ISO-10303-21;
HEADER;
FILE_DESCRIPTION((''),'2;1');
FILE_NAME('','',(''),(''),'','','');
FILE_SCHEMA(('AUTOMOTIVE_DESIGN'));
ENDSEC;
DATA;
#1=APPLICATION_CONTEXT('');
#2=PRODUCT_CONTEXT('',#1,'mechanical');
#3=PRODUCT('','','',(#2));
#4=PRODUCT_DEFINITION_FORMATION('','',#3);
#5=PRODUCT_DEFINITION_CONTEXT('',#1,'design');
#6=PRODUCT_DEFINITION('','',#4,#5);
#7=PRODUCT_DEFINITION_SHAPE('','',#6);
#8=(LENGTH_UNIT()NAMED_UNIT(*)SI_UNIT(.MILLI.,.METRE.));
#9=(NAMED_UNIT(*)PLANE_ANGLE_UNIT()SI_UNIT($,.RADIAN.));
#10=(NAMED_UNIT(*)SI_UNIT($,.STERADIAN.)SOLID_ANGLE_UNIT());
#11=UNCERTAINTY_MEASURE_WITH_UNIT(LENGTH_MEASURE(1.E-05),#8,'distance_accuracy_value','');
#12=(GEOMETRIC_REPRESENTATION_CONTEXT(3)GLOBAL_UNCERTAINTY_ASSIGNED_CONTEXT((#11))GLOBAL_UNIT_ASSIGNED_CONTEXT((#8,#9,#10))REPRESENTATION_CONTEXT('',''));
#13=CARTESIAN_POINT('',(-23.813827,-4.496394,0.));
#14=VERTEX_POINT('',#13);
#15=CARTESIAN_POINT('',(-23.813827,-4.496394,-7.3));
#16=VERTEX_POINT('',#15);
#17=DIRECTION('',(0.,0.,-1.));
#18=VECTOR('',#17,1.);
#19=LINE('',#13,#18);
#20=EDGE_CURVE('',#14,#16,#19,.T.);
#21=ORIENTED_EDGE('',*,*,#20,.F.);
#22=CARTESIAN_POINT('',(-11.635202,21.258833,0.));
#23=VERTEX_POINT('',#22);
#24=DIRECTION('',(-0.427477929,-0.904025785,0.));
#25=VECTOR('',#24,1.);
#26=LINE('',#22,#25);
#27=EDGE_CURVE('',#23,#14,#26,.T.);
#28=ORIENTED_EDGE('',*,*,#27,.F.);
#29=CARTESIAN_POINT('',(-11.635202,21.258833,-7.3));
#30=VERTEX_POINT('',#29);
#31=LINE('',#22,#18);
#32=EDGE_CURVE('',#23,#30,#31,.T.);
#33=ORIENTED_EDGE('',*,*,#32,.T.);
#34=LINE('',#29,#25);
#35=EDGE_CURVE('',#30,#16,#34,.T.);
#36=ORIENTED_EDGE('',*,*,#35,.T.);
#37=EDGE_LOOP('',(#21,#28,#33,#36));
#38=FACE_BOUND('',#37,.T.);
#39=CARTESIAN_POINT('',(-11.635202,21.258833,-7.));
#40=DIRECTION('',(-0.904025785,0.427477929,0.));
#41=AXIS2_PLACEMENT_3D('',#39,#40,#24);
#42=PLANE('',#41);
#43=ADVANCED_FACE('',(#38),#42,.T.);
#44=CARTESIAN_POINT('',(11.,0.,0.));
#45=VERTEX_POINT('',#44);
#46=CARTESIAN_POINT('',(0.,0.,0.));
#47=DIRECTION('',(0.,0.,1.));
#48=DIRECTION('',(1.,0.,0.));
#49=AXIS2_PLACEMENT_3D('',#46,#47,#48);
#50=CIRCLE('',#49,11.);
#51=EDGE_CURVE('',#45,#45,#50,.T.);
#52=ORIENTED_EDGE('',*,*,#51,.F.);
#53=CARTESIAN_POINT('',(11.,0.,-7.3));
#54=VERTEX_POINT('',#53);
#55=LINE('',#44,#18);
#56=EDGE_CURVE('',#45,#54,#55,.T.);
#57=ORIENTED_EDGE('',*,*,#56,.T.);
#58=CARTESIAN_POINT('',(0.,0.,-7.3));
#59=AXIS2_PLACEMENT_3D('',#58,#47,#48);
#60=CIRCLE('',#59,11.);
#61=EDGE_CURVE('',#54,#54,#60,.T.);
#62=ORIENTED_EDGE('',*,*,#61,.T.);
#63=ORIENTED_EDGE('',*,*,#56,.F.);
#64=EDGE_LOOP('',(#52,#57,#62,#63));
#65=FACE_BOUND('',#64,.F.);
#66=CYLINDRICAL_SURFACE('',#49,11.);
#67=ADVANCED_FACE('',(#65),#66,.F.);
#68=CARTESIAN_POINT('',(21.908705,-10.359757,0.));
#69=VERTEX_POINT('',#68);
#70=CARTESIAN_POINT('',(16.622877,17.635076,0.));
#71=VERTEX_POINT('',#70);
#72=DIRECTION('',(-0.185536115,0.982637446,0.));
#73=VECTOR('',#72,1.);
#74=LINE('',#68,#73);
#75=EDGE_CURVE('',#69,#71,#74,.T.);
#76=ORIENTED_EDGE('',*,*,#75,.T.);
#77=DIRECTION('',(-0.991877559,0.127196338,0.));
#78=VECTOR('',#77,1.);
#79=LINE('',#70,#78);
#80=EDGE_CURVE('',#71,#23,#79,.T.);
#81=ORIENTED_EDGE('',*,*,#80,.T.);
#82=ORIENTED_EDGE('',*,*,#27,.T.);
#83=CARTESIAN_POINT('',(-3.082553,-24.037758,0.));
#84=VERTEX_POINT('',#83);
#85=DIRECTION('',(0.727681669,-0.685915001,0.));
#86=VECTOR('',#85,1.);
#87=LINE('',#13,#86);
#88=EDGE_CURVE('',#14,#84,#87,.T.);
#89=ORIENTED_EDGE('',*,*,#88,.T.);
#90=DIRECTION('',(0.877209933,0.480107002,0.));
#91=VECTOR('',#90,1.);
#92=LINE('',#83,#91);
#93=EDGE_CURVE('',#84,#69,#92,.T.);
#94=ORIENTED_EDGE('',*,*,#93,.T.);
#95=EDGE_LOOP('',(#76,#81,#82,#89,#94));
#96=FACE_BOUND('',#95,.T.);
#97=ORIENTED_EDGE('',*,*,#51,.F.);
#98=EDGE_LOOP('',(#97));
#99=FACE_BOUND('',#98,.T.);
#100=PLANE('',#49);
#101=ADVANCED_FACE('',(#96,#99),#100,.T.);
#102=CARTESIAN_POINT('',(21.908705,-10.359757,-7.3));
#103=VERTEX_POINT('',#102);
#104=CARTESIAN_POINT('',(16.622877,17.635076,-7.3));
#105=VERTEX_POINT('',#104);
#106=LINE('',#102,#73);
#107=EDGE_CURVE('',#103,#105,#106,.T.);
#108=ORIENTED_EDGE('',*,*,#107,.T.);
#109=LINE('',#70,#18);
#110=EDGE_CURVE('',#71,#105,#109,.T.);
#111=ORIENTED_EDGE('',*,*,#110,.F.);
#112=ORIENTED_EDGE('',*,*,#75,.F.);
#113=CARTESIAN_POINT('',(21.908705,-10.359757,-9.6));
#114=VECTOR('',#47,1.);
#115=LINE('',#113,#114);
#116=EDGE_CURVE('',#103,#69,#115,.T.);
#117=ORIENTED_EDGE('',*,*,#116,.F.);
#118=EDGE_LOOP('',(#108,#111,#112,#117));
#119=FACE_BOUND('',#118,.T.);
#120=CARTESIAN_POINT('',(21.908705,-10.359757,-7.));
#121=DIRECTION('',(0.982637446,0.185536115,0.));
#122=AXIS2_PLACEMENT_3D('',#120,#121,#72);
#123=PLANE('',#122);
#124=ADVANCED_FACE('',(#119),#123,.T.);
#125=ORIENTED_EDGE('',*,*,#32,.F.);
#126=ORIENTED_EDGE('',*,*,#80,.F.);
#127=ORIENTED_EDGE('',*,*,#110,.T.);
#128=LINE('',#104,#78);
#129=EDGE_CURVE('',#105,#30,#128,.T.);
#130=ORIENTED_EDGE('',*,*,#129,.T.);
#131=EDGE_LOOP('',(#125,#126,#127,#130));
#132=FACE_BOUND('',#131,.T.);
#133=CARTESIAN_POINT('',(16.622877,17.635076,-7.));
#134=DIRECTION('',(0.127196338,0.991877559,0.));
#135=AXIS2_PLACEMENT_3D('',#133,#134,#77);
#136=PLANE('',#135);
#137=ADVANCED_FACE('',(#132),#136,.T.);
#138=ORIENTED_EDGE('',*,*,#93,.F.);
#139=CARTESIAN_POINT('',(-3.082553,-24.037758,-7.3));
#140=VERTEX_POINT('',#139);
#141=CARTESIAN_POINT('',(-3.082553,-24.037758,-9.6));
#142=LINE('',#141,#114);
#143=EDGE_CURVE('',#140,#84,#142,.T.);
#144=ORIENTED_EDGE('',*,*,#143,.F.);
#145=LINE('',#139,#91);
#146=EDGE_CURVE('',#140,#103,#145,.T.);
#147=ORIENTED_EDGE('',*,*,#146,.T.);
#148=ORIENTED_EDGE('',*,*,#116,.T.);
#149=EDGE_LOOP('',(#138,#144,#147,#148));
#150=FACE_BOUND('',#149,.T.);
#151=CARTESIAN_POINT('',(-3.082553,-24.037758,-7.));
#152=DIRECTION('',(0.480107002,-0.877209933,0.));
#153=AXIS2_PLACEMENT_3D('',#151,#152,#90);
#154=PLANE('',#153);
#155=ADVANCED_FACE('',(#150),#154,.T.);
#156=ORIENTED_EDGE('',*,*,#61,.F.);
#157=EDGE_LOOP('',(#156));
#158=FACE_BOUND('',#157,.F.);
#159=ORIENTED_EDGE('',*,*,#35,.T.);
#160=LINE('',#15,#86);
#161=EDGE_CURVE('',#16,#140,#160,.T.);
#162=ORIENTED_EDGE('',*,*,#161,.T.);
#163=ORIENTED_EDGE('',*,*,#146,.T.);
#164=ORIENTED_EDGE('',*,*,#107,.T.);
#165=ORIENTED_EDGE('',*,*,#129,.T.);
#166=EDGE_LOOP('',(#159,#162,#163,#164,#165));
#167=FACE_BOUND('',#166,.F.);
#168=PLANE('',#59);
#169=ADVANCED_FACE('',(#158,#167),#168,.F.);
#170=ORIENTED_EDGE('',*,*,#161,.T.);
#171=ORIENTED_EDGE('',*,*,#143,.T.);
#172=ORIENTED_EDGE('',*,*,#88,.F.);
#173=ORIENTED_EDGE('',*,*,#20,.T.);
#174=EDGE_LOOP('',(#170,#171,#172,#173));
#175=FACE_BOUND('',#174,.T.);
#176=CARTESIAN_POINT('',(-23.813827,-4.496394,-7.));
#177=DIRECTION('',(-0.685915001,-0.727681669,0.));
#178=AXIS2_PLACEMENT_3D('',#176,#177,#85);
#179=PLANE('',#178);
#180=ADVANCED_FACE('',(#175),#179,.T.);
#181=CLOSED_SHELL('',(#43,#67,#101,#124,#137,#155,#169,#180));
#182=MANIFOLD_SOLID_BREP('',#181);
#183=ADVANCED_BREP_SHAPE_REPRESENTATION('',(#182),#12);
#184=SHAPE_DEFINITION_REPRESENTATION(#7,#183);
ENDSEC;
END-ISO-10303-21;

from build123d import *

# Parameters (mm, degrees)
F2_DEPTH = 7
F3_DEPTH = 2.6
F0_R     = 11
F4_DEPTH = 25
F5_DEPTH = 2.3


with BuildPart() as f2:
    # F1 (on Top) → F2 (new body)
    with BuildSketch(Plane.XY):
        Polygon((-23.813827268, -4.4963938878), (-3.0825526201, -24.0377577259), (21.9087049767, -10.3597574001), (16.6228769451, 17.6350755374), (-11.6352020338, 21.2588334764), align=None)
    extrude(amount=-F2_DEPTH)

    # F3 (add): a face of the model
    f3_faces = [f2.faces().sort_by_distance(p)[0] for p in [
        (0, 0, -7),
    ]]
    extrude(f3_faces, amount=F3_DEPTH)

    # F0 (on Top) → F4 (cut)
    with BuildSketch(Plane.XY):
        Circle(F0_R)
    extrude(amount=-F4_DEPTH, mode=Mode.SUBTRACT)

    # F5 (cut): a face of the model
    f5_faces = [f2.faces().sort_by_distance(p)[0] for p in [
        (-13.0067285738, -13.7987330141, -9.6),
    ]]
    extrude(f5_faces, amount=-F5_DEPTH, mode=Mode.SUBTRACT)


solid = f2.part
